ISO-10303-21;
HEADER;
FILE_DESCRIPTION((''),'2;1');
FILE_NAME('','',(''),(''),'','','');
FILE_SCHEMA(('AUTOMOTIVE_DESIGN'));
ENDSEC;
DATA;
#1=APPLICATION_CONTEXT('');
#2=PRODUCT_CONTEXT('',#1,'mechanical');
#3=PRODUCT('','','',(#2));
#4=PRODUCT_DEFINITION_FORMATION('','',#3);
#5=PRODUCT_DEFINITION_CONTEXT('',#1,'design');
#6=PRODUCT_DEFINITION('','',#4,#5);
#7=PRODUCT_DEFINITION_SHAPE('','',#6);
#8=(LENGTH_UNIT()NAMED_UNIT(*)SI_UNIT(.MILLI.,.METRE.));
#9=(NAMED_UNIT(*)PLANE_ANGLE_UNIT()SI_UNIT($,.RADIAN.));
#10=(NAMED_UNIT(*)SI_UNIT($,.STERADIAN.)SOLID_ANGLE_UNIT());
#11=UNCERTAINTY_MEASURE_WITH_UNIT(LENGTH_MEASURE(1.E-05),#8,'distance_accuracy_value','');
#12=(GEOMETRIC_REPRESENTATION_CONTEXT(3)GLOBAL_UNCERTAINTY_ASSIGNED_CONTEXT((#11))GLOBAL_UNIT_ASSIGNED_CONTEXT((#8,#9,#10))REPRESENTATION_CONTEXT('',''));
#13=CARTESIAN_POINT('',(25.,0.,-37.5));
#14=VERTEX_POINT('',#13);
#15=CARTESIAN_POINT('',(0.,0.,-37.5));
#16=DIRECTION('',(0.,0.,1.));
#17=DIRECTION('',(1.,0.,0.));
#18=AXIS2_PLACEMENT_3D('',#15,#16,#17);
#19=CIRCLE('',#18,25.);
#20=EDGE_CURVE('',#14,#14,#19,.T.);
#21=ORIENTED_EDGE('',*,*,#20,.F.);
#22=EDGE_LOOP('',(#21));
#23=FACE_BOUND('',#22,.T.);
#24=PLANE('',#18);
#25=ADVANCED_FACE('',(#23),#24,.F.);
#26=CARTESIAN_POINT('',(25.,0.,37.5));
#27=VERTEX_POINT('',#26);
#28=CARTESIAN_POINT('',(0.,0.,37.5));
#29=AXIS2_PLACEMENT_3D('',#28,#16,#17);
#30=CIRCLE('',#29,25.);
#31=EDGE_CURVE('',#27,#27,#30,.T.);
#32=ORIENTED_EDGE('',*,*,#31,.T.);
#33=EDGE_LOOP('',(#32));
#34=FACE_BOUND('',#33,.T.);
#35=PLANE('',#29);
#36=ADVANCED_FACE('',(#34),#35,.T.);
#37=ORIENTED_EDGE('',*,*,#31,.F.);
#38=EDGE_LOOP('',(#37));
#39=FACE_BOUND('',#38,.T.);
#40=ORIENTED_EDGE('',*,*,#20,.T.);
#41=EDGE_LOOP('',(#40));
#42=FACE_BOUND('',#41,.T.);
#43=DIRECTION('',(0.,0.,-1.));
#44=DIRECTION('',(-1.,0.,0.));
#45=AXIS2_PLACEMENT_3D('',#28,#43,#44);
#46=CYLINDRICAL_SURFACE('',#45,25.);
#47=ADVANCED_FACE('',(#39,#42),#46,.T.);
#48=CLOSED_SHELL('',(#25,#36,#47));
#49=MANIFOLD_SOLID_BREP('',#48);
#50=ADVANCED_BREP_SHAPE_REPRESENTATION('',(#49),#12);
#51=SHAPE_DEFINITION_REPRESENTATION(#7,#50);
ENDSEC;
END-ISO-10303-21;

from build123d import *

# Parameters (mm, degrees)
SKETCH1_R           = 25
BOSS_EXTRUDE1_DEPTH = 37.5


with BuildPart() as part:
    # Sketch1 → Boss-Extrude1 (new body, symmetric)
    with BuildSketch(Plane.XY):
        Circle(SKETCH1_R)
    extrude(amount=BOSS_EXTRUDE1_DEPTH, both=True)


solid = part.part
